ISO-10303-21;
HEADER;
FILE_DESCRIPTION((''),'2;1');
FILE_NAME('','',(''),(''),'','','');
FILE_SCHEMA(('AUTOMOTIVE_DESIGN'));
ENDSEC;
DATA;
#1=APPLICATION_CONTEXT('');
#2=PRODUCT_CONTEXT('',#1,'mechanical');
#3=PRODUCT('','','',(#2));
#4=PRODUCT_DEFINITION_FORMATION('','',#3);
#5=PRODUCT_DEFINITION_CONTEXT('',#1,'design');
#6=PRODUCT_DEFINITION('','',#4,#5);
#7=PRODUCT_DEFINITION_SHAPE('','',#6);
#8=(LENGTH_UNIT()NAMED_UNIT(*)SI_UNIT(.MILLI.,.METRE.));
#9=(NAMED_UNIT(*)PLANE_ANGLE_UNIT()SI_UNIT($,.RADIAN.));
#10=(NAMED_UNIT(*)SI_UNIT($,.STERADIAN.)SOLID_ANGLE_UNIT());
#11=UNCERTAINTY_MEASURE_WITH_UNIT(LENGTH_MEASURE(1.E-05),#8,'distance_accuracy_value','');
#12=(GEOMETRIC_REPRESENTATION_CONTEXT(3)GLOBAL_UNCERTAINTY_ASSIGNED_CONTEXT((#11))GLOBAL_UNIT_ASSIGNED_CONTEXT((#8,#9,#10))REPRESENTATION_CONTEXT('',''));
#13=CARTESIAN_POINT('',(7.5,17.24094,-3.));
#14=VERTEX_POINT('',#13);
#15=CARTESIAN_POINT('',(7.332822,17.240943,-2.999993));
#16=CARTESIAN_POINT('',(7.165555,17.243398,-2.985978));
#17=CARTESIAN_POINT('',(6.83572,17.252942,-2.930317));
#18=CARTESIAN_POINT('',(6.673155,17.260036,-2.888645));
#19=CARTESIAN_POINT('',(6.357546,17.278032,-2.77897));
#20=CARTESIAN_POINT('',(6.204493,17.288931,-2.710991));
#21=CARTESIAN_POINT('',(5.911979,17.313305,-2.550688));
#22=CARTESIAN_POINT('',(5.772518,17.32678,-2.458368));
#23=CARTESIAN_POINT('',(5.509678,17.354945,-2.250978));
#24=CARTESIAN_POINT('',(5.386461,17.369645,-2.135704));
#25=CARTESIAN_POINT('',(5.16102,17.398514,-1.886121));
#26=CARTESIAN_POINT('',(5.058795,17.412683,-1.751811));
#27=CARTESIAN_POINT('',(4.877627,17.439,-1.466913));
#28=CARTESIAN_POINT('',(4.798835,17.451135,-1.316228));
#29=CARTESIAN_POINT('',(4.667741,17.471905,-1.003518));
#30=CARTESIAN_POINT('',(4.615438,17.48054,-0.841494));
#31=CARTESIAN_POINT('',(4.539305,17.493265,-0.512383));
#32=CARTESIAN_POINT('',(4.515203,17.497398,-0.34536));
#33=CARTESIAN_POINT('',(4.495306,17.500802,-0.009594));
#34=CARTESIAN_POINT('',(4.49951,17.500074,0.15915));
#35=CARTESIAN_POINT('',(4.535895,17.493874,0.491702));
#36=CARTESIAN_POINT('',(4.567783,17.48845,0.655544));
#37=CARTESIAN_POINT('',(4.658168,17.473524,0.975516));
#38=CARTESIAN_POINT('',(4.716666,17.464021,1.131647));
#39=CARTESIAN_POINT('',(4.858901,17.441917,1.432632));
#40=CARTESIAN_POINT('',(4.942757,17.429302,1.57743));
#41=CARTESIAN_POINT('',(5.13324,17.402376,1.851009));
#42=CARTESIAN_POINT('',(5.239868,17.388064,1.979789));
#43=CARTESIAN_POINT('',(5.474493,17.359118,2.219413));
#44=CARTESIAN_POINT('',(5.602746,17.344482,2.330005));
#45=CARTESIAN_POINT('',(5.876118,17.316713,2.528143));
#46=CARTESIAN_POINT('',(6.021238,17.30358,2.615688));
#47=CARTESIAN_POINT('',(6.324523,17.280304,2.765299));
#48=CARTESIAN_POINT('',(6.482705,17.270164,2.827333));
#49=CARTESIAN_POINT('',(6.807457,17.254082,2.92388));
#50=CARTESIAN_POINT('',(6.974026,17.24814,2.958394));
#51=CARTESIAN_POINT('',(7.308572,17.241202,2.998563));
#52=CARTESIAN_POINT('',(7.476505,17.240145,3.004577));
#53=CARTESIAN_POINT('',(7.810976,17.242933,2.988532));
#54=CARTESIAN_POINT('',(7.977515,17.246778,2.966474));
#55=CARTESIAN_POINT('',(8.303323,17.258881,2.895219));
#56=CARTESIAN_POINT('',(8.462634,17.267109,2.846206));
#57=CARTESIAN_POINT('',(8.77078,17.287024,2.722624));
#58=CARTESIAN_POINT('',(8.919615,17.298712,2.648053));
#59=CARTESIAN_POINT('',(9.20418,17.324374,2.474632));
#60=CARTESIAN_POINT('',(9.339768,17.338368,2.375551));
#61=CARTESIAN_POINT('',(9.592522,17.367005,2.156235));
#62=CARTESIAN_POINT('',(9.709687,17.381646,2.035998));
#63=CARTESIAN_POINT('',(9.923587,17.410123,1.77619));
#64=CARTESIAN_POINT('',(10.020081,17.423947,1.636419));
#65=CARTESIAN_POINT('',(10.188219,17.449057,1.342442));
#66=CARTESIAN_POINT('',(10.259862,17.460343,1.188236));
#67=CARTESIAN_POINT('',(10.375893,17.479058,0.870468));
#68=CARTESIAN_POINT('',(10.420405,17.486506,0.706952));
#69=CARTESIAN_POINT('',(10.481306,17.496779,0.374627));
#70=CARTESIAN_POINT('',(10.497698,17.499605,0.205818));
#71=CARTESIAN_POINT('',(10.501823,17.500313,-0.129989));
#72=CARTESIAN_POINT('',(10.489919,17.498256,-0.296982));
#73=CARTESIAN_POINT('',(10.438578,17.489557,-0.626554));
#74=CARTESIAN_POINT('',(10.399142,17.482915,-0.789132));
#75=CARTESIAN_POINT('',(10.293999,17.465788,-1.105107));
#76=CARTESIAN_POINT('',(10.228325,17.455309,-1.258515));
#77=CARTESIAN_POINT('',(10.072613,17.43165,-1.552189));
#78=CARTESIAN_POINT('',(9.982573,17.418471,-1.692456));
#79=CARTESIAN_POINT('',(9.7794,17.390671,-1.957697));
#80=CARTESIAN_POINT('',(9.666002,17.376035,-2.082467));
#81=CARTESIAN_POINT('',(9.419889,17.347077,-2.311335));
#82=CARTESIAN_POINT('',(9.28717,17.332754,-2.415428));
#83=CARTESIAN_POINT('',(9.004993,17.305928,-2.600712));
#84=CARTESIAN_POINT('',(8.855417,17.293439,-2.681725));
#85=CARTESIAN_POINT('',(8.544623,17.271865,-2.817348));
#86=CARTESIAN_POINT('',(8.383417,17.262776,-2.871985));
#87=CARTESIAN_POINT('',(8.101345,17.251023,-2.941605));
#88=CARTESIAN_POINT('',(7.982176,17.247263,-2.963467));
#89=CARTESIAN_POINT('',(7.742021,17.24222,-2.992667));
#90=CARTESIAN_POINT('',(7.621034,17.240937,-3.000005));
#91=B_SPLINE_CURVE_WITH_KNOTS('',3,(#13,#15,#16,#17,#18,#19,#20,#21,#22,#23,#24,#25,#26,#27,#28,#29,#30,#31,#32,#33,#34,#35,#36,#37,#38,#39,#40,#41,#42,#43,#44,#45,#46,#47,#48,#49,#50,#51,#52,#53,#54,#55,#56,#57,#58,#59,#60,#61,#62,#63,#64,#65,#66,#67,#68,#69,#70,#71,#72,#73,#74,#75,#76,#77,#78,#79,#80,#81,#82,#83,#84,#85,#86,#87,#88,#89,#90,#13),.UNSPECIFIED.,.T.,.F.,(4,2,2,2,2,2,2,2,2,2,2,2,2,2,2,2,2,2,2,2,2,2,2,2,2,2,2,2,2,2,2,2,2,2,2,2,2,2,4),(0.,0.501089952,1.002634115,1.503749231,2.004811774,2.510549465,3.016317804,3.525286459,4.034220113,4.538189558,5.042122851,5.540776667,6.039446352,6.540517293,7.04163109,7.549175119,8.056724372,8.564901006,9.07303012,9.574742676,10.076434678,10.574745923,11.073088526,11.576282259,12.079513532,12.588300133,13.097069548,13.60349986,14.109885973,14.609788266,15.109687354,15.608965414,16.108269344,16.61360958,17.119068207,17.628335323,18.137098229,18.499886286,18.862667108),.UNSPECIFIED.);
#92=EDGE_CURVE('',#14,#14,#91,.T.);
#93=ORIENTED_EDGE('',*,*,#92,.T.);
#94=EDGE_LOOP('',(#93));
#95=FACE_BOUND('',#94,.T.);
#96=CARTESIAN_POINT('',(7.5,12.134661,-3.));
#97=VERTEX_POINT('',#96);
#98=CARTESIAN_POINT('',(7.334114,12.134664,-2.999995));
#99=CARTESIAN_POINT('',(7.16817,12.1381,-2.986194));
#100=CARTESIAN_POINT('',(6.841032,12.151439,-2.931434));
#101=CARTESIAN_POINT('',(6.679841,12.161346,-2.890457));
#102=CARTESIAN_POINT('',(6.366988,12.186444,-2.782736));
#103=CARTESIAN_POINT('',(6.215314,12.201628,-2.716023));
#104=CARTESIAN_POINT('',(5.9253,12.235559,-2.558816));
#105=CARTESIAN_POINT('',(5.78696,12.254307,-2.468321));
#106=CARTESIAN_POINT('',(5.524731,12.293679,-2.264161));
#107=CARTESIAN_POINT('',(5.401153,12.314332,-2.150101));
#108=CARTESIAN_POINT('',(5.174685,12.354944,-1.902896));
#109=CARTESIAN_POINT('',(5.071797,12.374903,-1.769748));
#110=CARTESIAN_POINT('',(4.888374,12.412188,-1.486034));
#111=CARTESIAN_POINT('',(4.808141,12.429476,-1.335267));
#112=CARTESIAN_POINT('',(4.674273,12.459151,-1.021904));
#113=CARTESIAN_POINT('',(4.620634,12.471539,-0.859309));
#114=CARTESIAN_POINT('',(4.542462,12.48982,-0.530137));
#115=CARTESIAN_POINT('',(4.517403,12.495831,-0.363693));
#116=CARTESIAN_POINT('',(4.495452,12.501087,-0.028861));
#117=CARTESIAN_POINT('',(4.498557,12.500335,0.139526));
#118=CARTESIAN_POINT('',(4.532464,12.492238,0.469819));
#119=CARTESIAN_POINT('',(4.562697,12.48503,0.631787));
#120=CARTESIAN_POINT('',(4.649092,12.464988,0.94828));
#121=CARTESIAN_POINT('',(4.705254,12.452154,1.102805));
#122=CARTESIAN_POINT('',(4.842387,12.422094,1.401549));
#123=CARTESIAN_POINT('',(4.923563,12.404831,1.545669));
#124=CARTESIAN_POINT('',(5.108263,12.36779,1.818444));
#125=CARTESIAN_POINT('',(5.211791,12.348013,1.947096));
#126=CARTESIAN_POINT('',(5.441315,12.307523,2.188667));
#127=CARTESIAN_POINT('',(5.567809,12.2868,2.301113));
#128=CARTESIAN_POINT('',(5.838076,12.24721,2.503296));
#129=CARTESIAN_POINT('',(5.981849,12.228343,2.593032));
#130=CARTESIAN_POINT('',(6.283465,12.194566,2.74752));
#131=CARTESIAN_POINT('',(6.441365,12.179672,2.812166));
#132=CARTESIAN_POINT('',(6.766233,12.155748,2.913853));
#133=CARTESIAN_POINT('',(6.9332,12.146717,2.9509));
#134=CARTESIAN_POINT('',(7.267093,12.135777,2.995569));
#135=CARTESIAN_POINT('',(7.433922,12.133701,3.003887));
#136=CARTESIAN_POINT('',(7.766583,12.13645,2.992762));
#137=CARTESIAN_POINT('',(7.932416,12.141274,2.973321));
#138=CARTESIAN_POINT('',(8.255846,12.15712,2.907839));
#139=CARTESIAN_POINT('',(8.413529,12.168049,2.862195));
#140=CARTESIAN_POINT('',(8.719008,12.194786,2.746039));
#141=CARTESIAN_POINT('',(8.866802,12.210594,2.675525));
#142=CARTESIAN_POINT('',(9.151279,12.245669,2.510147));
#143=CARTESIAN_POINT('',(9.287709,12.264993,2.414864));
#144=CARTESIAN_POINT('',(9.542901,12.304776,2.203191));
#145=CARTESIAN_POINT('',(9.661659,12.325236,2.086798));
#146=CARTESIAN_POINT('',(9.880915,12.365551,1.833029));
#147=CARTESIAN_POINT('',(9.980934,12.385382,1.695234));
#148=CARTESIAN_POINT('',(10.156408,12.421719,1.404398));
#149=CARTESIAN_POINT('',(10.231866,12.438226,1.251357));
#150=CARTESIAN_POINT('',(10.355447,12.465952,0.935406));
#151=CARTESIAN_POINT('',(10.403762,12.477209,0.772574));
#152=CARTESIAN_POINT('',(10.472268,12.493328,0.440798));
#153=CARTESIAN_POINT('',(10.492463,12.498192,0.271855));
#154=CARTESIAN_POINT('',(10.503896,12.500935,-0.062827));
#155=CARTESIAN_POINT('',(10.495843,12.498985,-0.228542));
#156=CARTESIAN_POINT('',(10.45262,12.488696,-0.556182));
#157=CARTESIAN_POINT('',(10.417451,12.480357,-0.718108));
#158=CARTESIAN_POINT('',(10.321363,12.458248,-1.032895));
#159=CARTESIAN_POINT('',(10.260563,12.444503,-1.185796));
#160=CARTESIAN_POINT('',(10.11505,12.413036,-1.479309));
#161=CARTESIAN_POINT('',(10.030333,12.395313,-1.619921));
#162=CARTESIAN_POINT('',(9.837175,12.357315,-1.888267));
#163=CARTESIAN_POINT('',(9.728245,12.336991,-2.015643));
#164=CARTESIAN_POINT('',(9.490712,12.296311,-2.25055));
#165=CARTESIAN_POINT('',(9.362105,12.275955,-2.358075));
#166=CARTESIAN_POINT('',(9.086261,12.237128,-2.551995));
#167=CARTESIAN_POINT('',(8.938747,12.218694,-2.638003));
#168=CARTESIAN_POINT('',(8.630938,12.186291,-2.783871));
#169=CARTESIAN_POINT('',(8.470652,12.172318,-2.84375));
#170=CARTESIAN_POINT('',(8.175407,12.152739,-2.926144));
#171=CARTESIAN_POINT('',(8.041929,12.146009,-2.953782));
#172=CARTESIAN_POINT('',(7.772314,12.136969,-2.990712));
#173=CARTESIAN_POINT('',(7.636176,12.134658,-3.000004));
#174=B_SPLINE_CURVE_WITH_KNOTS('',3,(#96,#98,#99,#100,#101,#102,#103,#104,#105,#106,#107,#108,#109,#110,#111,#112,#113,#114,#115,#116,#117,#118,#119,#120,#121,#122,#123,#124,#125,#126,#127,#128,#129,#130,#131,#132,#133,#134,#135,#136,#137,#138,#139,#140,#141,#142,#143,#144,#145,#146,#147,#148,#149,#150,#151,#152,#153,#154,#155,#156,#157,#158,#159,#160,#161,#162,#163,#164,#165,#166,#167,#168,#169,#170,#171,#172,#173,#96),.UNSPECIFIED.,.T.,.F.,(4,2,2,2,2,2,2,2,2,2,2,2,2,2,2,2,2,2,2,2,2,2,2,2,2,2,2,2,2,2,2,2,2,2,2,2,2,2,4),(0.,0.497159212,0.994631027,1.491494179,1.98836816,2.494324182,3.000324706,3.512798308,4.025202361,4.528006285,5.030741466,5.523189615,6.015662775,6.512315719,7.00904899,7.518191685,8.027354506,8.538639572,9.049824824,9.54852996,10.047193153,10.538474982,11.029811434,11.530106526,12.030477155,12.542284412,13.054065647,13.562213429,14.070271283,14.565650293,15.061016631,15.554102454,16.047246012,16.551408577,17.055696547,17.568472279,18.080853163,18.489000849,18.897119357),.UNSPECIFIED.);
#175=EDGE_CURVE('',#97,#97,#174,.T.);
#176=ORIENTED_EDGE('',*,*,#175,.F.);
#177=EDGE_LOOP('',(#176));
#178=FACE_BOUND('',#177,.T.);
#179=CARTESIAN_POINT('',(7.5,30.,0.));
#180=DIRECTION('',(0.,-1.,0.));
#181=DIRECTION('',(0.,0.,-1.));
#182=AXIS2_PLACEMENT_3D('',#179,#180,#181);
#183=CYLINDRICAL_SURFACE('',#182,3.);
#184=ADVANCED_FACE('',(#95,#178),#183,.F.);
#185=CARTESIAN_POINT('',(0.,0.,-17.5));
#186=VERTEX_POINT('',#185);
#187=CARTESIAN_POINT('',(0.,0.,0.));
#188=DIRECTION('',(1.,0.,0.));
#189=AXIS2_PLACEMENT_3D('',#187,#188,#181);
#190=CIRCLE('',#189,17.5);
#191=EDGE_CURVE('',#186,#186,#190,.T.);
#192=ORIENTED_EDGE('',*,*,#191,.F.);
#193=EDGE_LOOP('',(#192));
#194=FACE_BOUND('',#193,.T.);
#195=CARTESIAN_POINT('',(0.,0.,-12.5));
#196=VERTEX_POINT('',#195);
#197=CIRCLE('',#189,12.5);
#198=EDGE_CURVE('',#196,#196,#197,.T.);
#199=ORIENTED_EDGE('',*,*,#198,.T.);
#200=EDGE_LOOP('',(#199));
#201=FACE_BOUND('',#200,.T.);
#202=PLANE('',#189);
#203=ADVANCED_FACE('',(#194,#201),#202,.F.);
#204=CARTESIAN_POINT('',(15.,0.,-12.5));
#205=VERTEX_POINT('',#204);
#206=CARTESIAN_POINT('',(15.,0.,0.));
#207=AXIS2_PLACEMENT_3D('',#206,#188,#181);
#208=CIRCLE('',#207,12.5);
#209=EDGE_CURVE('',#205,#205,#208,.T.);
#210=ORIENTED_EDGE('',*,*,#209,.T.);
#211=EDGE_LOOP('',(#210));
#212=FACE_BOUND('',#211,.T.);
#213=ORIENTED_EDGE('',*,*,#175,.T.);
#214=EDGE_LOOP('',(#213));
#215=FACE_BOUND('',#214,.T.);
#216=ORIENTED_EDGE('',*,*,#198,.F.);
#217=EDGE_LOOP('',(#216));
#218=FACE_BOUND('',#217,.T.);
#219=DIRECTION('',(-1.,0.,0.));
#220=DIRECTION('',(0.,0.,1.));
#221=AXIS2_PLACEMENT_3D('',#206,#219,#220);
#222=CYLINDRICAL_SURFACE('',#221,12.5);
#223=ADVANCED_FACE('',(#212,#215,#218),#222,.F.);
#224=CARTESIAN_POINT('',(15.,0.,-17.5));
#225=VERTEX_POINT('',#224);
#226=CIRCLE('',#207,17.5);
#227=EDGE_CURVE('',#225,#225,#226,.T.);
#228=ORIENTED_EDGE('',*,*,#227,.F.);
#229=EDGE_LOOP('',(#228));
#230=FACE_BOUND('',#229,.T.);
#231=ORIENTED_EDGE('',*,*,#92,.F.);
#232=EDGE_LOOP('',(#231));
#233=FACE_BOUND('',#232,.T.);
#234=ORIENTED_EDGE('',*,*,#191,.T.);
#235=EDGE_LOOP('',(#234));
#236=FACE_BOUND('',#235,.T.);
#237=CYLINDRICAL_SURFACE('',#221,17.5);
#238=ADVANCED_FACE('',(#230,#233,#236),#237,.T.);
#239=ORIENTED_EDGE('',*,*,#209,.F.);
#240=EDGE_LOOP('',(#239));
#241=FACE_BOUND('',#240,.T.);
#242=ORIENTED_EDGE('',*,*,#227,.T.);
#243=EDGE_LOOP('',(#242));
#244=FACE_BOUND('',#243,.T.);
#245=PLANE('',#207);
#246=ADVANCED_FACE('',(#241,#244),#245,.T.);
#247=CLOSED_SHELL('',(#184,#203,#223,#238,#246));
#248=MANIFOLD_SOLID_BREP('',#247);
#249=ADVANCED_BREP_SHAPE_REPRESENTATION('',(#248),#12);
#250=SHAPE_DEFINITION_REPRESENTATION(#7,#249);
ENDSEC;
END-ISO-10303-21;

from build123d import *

# Parameters (mm, degrees)
SKETCH1_R           = 17.5
SKETCH1_R_2         = 12.5
BOSS_EXTRUDE1_DEPTH = 15
SKETCH2_R           = 3
CUT_EXTRUDE1_DEPTH  = 30


with BuildPart() as part:
    # Sketch1 → Boss-Extrude1 (new body)
    with BuildSketch(Plane(origin=(0, 0, 0), x_dir=(0, 0, -1), z_dir=(1, 0, 0))):
        Circle(SKETCH1_R)
        Circle(SKETCH1_R_2, mode=Mode.SUBTRACT)
    extrude(amount=BOSS_EXTRUDE1_DEPTH)

    # Sketch2 → Cut-Extrude1 (cut)
    with BuildSketch(Plane(origin=(0, 0, 0), x_dir=(1, 0, 0), z_dir=(0, 1, 0))):
        with Locations(Location((7.5, 0, 0), (0, 0, 90))):
            Circle(SKETCH2_R)
    extrude(amount=CUT_EXTRUDE1_DEPTH, mode=Mode.SUBTRACT)


solid = part.part
